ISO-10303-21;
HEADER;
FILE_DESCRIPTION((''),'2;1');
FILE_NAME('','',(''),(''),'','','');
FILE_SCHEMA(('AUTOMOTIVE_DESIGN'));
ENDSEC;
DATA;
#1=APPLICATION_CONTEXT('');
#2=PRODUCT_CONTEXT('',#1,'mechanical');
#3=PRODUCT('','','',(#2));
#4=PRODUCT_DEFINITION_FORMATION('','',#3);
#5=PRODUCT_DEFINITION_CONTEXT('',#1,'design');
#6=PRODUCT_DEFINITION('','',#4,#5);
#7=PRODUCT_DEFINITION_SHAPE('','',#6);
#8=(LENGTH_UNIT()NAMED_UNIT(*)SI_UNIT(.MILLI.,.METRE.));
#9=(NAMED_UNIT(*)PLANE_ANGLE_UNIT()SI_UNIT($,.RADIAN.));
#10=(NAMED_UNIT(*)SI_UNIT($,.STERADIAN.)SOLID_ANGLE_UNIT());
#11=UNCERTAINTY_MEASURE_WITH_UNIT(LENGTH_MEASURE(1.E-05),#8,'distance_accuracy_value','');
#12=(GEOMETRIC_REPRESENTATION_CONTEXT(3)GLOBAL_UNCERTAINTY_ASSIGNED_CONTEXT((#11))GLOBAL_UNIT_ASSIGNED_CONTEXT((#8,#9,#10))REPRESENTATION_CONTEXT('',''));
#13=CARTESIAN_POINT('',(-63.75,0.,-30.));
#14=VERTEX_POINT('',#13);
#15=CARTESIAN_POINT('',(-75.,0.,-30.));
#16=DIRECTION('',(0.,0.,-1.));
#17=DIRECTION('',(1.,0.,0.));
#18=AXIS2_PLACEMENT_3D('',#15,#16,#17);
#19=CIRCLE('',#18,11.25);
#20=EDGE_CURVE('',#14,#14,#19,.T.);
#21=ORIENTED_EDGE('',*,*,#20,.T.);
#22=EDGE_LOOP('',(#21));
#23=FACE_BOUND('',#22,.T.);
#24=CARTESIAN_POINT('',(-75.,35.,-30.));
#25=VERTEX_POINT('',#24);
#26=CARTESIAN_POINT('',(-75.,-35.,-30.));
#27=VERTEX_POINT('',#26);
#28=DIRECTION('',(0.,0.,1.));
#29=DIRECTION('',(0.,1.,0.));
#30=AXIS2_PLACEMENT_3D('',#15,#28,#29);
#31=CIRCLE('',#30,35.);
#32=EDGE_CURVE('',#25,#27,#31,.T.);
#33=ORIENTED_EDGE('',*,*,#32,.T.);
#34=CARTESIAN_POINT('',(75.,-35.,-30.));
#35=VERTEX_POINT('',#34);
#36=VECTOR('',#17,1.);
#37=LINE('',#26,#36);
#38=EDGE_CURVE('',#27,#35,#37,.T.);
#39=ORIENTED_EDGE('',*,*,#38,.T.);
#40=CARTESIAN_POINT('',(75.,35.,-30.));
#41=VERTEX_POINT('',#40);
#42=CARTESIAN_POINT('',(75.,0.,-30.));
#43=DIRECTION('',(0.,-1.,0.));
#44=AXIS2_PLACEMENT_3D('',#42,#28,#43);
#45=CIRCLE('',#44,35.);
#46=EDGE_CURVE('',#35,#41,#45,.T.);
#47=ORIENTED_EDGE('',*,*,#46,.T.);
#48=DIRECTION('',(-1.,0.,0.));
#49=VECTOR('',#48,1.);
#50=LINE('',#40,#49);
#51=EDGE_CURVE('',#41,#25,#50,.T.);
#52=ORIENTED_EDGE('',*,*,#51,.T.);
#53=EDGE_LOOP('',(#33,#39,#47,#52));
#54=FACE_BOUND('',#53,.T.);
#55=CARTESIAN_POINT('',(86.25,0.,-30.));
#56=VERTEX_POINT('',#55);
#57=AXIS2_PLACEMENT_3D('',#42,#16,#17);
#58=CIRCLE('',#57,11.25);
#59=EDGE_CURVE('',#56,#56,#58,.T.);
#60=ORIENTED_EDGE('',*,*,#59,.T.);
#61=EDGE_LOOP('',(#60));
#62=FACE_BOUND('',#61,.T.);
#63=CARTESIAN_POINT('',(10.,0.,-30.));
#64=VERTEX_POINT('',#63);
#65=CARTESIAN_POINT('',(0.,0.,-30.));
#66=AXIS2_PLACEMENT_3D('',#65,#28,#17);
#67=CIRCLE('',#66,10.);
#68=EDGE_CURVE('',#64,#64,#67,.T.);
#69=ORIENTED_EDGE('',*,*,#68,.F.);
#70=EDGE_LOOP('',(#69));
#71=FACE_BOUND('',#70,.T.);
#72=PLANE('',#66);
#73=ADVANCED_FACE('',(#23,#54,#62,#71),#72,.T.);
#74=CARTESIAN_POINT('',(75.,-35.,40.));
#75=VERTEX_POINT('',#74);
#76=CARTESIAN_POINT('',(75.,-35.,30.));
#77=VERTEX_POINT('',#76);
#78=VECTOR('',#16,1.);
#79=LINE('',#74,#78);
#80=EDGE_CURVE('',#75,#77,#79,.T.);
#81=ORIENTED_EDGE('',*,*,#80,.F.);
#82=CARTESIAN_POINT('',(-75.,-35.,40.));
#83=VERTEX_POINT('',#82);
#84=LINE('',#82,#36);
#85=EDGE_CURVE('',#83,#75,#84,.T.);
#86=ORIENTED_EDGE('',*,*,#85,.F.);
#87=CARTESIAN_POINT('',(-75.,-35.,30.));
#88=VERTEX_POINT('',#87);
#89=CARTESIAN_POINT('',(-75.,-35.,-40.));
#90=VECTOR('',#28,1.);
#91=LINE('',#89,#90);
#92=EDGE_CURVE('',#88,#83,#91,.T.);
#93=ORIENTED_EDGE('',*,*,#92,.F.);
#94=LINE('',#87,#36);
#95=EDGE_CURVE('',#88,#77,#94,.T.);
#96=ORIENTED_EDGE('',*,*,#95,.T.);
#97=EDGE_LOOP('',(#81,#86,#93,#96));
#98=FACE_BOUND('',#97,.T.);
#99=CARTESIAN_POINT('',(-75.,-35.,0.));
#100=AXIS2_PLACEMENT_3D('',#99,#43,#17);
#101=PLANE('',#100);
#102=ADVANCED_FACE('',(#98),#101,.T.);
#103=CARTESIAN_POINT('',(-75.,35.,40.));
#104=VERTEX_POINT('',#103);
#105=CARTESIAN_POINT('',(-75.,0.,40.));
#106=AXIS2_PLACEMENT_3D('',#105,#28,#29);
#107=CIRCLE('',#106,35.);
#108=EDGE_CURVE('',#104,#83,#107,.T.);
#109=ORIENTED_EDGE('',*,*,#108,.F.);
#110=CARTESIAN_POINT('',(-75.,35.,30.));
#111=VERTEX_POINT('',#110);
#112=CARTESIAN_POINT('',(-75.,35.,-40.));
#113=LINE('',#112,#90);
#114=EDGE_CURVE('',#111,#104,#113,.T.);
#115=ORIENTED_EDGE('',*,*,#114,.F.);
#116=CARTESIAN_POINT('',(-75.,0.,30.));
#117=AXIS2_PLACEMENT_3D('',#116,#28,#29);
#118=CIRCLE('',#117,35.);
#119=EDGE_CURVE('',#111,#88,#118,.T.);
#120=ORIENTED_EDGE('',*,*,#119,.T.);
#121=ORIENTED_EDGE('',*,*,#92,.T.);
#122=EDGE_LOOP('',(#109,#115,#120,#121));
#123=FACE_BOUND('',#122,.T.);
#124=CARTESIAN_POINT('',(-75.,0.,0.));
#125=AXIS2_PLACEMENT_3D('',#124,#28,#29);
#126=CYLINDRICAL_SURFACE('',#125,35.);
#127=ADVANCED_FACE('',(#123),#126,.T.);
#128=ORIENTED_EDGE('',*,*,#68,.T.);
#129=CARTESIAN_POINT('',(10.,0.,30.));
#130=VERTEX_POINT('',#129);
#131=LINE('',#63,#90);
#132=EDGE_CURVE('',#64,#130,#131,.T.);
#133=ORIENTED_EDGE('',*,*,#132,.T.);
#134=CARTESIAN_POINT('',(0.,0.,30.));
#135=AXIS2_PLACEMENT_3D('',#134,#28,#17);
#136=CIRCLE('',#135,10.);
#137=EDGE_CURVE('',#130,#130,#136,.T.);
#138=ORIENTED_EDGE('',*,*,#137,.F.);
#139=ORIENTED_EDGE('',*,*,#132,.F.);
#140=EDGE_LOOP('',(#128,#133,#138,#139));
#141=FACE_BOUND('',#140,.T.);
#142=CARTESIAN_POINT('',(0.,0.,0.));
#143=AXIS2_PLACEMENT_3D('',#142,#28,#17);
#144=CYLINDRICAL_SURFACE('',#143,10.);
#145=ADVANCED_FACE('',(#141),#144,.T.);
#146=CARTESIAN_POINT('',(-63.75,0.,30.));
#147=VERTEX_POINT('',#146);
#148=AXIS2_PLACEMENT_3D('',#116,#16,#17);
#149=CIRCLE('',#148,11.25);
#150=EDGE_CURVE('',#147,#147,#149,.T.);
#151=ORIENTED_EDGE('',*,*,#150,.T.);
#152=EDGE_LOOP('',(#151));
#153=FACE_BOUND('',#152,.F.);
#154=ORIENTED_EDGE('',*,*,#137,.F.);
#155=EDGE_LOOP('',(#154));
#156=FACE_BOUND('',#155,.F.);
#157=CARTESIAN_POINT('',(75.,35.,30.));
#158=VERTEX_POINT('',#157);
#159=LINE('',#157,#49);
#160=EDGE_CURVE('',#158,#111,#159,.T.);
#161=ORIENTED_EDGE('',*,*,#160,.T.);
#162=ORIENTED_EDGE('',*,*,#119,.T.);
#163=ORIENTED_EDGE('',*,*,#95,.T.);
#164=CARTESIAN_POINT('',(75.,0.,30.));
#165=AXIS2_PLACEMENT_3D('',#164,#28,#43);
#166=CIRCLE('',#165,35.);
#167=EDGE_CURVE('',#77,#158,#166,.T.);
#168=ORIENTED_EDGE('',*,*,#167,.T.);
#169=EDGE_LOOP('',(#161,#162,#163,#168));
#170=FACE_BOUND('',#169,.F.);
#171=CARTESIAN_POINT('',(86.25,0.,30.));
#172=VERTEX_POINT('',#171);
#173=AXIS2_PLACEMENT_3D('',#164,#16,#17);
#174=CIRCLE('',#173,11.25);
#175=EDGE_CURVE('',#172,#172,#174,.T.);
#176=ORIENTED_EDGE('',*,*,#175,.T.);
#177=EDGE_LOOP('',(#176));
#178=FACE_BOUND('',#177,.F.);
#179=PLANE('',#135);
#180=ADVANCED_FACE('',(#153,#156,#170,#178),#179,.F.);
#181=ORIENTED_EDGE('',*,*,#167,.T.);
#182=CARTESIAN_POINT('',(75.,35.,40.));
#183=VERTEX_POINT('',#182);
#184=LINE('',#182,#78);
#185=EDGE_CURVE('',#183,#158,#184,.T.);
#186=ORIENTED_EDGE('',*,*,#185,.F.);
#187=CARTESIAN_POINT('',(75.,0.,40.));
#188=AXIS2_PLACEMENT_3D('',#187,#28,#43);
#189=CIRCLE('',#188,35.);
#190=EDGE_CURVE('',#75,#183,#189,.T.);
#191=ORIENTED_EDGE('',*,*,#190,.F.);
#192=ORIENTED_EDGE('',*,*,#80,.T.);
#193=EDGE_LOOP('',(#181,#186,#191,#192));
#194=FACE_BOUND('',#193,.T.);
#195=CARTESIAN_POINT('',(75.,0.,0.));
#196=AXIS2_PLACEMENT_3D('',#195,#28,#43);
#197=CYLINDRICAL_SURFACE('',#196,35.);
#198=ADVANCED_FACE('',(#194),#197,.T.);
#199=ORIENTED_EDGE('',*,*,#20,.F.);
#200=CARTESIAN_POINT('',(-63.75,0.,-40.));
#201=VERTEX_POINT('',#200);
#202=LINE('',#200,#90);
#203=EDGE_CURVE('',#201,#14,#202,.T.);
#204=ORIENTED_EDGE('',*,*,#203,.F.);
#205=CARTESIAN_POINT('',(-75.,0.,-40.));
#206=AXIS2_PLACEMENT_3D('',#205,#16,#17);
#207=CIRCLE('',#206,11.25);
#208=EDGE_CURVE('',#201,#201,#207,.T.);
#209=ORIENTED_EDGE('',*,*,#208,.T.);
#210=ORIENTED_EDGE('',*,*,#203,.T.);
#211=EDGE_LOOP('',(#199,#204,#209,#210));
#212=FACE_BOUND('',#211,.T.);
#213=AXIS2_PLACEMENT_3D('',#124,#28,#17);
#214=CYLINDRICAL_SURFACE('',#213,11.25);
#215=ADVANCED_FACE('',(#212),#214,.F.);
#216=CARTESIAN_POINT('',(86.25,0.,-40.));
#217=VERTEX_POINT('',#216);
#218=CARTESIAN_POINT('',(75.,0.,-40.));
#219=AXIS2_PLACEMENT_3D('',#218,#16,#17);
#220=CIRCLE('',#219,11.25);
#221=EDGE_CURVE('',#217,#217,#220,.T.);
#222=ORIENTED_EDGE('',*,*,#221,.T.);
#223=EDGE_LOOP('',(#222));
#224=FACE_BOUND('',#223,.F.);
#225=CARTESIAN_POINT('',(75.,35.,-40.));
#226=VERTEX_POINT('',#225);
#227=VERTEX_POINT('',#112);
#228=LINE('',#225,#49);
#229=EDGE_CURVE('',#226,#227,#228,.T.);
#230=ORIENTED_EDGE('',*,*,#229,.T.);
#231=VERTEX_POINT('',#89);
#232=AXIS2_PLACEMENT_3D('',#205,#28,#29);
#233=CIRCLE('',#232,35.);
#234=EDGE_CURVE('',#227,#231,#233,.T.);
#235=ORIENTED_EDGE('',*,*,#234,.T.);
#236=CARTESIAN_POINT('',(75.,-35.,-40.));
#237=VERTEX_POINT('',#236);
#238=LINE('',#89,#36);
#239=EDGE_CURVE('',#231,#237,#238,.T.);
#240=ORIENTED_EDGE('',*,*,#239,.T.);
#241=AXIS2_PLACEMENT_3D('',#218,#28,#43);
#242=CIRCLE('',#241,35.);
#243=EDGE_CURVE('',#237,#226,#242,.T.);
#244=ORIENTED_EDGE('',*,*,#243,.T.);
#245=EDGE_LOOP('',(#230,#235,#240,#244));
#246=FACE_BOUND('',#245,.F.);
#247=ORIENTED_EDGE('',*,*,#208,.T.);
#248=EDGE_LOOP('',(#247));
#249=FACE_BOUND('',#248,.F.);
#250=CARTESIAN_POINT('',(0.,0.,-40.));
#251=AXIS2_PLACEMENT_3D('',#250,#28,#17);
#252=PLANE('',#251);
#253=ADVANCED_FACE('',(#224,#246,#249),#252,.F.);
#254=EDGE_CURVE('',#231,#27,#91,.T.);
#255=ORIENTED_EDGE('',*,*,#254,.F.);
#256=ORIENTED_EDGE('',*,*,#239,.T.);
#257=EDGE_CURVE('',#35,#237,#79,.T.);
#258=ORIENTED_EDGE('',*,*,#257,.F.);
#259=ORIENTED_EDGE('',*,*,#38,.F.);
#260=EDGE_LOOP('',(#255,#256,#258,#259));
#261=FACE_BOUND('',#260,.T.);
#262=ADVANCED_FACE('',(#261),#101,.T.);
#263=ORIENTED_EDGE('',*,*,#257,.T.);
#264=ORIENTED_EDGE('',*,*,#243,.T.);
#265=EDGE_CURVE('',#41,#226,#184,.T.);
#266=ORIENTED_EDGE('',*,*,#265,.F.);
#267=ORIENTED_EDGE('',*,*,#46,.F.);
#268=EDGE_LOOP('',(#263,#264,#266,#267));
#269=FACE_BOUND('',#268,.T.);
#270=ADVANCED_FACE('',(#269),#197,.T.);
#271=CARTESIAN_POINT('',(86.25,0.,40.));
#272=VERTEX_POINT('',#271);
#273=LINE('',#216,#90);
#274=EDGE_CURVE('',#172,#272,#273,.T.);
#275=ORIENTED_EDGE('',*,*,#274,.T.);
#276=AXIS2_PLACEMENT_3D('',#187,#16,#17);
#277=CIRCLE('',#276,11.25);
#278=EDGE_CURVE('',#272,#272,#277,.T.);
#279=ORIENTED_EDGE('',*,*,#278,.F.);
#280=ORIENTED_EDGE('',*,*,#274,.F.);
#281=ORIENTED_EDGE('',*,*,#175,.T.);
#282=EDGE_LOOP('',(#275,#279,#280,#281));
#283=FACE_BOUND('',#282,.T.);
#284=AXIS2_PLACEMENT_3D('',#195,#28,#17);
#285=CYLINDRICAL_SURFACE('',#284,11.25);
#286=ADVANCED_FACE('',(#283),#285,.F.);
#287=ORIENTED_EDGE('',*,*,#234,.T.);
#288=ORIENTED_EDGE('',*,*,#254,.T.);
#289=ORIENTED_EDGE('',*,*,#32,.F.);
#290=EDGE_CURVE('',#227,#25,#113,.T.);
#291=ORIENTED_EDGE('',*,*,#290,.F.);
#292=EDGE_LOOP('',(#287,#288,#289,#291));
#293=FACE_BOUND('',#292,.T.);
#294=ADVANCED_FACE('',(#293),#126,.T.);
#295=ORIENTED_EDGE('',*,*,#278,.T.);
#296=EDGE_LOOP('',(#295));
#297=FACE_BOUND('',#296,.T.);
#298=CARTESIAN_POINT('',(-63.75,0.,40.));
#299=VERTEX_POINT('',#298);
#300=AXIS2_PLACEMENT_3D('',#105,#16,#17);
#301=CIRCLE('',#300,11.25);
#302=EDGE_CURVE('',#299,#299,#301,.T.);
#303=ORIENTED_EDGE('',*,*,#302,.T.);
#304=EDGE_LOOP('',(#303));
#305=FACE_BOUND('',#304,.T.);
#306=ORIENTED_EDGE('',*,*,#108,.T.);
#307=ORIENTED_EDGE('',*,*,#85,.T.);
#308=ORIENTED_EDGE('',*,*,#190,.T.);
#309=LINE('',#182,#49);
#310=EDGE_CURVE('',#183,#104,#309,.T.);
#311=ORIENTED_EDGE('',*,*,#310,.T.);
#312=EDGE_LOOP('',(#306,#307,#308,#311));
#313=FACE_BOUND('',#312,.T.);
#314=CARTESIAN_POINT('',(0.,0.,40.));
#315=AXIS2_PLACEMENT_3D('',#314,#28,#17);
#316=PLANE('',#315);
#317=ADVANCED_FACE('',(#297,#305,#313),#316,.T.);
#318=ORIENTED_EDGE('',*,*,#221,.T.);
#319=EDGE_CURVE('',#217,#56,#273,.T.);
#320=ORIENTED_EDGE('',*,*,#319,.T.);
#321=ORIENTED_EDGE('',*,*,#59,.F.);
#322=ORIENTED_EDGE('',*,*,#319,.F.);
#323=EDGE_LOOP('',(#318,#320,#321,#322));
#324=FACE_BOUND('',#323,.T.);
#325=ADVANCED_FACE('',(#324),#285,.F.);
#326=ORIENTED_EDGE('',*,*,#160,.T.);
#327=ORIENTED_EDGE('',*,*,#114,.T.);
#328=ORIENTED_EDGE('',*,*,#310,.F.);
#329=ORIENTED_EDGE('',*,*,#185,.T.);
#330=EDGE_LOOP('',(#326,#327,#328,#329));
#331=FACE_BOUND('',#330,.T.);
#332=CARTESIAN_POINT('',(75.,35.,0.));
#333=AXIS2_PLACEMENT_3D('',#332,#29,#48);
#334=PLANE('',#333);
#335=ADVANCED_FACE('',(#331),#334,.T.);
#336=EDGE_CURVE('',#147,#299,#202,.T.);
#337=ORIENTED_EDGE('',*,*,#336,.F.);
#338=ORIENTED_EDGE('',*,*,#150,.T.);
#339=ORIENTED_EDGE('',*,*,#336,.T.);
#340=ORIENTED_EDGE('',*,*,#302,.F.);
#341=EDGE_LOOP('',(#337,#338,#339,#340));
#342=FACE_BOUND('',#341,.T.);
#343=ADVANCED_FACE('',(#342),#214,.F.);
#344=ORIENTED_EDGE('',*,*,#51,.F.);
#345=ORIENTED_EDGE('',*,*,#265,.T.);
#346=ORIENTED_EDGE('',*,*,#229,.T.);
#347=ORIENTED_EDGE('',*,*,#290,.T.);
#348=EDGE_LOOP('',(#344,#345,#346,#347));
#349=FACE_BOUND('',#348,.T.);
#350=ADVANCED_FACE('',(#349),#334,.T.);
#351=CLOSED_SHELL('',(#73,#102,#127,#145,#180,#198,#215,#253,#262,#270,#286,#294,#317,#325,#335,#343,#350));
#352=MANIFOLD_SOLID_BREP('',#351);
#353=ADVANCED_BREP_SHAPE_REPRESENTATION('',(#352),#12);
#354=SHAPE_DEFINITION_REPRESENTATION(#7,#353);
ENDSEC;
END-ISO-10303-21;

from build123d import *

# Parameters (mm, degrees)
F0_R     = 10
F1_DEPTH = 40
F2_DEPTH = 30


with BuildPart() as f1:
    # F0 (on Top) → F1 (new body, symmetric)
    with BuildSketch(Plane.XY):
        with BuildLine():
            Line((75, 35), (-75, 35))
            ThreePointArc((-75, 35), (-110, 0), (-75, -35))
            Line((-75, -35), (75, -35))
            ThreePointArc((75, -35), (110, 0), (75, 35))
        make_face()
        with BuildLine():
            ThreePointArc((-42.5, 0), (-75, -32.5), (-107.5, 0))
            Line((-107.5, 0), (-86.25, 0))
            ThreePointArc((-86.25, 0), (-75, 11.25), (-63.75, 0))
            Line((-63.75, 0), (-42.5, 0))
        make_face(mode=Mode.SUBTRACT)
        with BuildLine():
            ThreePointArc((107.5, 0), (75, -32.5), (42.5, 0))
            Line((42.5, 0), (63.75, 0))
            ThreePointArc((63.75, 0), (75, 11.25), (86.25, 0))
            Line((86.25, 0), (107.5, 0))
        make_face(mode=Mode.SUBTRACT)
        Circle(F0_R, mode=Mode.SUBTRACT)
        with BuildLine():
            Line((-86.25, 0), (-107.5, 0))
            ThreePointArc((-107.5, 0), (-75, -32.5), (-42.5, 0))
            Line((-42.5, 0), (-63.75, 0))
            ThreePointArc((-63.75, 0), (-75, -11.25), (-86.25, 0))
        make_face()
        with BuildLine():
            Line((63.75, 0), (42.5, 0))
            ThreePointArc((42.5, 0), (75, -32.5), (107.5, 0))
            Line((107.5, 0), (86.25, 0))
            ThreePointArc((86.25, 0), (75, -11.25), (63.75, 0))
        make_face()
        Circle(F0_R)
    extrude(amount=F1_DEPTH, both=True)

    # F0 (on Top) → F2 (cut, symmetric)
    with BuildSketch(Plane.XY):
        with BuildLine():
            Line((75, 35), (-75, 35))
            ThreePointArc((-75, 35), (-110, 0), (-75, -35))
            Line((-75, -35), (75, -35))
            ThreePointArc((75, -35), (110, 0), (75, 35))
        make_face()
        with BuildLine():
            ThreePointArc((-42.5, 0), (-75, -32.5), (-107.5, 0))
            Line((-107.5, 0), (-86.25, 0))
            ThreePointArc((-86.25, 0), (-75, 11.25), (-63.75, 0))
            Line((-63.75, 0), (-42.5, 0))
        make_face(mode=Mode.SUBTRACT)
        with BuildLine():
            ThreePointArc((107.5, 0), (75, -32.5), (42.5, 0))
            Line((42.5, 0), (63.75, 0))
            ThreePointArc((63.75, 0), (75, 11.25), (86.25, 0))
            Line((86.25, 0), (107.5, 0))
        make_face(mode=Mode.SUBTRACT)
        Circle(F0_R, mode=Mode.SUBTRACT)
        with BuildLine():
            Line((-86.25, 0), (-107.5, 0))
            ThreePointArc((-107.5, 0), (-75, -32.5), (-42.5, 0))
            Line((-42.5, 0), (-63.75, 0))
            ThreePointArc((-63.75, 0), (-75, -11.25), (-86.25, 0))
        make_face()
        with BuildLine():
            Line((63.75, 0), (42.5, 0))
            ThreePointArc((42.5, 0), (75, -32.5), (107.5, 0))
            Line((107.5, 0), (86.25, 0))
            ThreePointArc((86.25, 0), (75, -11.25), (63.75, 0))
        make_face()
    extrude(amount=F2_DEPTH, both=True, mode=Mode.SUBTRACT)


solid = f1.part
